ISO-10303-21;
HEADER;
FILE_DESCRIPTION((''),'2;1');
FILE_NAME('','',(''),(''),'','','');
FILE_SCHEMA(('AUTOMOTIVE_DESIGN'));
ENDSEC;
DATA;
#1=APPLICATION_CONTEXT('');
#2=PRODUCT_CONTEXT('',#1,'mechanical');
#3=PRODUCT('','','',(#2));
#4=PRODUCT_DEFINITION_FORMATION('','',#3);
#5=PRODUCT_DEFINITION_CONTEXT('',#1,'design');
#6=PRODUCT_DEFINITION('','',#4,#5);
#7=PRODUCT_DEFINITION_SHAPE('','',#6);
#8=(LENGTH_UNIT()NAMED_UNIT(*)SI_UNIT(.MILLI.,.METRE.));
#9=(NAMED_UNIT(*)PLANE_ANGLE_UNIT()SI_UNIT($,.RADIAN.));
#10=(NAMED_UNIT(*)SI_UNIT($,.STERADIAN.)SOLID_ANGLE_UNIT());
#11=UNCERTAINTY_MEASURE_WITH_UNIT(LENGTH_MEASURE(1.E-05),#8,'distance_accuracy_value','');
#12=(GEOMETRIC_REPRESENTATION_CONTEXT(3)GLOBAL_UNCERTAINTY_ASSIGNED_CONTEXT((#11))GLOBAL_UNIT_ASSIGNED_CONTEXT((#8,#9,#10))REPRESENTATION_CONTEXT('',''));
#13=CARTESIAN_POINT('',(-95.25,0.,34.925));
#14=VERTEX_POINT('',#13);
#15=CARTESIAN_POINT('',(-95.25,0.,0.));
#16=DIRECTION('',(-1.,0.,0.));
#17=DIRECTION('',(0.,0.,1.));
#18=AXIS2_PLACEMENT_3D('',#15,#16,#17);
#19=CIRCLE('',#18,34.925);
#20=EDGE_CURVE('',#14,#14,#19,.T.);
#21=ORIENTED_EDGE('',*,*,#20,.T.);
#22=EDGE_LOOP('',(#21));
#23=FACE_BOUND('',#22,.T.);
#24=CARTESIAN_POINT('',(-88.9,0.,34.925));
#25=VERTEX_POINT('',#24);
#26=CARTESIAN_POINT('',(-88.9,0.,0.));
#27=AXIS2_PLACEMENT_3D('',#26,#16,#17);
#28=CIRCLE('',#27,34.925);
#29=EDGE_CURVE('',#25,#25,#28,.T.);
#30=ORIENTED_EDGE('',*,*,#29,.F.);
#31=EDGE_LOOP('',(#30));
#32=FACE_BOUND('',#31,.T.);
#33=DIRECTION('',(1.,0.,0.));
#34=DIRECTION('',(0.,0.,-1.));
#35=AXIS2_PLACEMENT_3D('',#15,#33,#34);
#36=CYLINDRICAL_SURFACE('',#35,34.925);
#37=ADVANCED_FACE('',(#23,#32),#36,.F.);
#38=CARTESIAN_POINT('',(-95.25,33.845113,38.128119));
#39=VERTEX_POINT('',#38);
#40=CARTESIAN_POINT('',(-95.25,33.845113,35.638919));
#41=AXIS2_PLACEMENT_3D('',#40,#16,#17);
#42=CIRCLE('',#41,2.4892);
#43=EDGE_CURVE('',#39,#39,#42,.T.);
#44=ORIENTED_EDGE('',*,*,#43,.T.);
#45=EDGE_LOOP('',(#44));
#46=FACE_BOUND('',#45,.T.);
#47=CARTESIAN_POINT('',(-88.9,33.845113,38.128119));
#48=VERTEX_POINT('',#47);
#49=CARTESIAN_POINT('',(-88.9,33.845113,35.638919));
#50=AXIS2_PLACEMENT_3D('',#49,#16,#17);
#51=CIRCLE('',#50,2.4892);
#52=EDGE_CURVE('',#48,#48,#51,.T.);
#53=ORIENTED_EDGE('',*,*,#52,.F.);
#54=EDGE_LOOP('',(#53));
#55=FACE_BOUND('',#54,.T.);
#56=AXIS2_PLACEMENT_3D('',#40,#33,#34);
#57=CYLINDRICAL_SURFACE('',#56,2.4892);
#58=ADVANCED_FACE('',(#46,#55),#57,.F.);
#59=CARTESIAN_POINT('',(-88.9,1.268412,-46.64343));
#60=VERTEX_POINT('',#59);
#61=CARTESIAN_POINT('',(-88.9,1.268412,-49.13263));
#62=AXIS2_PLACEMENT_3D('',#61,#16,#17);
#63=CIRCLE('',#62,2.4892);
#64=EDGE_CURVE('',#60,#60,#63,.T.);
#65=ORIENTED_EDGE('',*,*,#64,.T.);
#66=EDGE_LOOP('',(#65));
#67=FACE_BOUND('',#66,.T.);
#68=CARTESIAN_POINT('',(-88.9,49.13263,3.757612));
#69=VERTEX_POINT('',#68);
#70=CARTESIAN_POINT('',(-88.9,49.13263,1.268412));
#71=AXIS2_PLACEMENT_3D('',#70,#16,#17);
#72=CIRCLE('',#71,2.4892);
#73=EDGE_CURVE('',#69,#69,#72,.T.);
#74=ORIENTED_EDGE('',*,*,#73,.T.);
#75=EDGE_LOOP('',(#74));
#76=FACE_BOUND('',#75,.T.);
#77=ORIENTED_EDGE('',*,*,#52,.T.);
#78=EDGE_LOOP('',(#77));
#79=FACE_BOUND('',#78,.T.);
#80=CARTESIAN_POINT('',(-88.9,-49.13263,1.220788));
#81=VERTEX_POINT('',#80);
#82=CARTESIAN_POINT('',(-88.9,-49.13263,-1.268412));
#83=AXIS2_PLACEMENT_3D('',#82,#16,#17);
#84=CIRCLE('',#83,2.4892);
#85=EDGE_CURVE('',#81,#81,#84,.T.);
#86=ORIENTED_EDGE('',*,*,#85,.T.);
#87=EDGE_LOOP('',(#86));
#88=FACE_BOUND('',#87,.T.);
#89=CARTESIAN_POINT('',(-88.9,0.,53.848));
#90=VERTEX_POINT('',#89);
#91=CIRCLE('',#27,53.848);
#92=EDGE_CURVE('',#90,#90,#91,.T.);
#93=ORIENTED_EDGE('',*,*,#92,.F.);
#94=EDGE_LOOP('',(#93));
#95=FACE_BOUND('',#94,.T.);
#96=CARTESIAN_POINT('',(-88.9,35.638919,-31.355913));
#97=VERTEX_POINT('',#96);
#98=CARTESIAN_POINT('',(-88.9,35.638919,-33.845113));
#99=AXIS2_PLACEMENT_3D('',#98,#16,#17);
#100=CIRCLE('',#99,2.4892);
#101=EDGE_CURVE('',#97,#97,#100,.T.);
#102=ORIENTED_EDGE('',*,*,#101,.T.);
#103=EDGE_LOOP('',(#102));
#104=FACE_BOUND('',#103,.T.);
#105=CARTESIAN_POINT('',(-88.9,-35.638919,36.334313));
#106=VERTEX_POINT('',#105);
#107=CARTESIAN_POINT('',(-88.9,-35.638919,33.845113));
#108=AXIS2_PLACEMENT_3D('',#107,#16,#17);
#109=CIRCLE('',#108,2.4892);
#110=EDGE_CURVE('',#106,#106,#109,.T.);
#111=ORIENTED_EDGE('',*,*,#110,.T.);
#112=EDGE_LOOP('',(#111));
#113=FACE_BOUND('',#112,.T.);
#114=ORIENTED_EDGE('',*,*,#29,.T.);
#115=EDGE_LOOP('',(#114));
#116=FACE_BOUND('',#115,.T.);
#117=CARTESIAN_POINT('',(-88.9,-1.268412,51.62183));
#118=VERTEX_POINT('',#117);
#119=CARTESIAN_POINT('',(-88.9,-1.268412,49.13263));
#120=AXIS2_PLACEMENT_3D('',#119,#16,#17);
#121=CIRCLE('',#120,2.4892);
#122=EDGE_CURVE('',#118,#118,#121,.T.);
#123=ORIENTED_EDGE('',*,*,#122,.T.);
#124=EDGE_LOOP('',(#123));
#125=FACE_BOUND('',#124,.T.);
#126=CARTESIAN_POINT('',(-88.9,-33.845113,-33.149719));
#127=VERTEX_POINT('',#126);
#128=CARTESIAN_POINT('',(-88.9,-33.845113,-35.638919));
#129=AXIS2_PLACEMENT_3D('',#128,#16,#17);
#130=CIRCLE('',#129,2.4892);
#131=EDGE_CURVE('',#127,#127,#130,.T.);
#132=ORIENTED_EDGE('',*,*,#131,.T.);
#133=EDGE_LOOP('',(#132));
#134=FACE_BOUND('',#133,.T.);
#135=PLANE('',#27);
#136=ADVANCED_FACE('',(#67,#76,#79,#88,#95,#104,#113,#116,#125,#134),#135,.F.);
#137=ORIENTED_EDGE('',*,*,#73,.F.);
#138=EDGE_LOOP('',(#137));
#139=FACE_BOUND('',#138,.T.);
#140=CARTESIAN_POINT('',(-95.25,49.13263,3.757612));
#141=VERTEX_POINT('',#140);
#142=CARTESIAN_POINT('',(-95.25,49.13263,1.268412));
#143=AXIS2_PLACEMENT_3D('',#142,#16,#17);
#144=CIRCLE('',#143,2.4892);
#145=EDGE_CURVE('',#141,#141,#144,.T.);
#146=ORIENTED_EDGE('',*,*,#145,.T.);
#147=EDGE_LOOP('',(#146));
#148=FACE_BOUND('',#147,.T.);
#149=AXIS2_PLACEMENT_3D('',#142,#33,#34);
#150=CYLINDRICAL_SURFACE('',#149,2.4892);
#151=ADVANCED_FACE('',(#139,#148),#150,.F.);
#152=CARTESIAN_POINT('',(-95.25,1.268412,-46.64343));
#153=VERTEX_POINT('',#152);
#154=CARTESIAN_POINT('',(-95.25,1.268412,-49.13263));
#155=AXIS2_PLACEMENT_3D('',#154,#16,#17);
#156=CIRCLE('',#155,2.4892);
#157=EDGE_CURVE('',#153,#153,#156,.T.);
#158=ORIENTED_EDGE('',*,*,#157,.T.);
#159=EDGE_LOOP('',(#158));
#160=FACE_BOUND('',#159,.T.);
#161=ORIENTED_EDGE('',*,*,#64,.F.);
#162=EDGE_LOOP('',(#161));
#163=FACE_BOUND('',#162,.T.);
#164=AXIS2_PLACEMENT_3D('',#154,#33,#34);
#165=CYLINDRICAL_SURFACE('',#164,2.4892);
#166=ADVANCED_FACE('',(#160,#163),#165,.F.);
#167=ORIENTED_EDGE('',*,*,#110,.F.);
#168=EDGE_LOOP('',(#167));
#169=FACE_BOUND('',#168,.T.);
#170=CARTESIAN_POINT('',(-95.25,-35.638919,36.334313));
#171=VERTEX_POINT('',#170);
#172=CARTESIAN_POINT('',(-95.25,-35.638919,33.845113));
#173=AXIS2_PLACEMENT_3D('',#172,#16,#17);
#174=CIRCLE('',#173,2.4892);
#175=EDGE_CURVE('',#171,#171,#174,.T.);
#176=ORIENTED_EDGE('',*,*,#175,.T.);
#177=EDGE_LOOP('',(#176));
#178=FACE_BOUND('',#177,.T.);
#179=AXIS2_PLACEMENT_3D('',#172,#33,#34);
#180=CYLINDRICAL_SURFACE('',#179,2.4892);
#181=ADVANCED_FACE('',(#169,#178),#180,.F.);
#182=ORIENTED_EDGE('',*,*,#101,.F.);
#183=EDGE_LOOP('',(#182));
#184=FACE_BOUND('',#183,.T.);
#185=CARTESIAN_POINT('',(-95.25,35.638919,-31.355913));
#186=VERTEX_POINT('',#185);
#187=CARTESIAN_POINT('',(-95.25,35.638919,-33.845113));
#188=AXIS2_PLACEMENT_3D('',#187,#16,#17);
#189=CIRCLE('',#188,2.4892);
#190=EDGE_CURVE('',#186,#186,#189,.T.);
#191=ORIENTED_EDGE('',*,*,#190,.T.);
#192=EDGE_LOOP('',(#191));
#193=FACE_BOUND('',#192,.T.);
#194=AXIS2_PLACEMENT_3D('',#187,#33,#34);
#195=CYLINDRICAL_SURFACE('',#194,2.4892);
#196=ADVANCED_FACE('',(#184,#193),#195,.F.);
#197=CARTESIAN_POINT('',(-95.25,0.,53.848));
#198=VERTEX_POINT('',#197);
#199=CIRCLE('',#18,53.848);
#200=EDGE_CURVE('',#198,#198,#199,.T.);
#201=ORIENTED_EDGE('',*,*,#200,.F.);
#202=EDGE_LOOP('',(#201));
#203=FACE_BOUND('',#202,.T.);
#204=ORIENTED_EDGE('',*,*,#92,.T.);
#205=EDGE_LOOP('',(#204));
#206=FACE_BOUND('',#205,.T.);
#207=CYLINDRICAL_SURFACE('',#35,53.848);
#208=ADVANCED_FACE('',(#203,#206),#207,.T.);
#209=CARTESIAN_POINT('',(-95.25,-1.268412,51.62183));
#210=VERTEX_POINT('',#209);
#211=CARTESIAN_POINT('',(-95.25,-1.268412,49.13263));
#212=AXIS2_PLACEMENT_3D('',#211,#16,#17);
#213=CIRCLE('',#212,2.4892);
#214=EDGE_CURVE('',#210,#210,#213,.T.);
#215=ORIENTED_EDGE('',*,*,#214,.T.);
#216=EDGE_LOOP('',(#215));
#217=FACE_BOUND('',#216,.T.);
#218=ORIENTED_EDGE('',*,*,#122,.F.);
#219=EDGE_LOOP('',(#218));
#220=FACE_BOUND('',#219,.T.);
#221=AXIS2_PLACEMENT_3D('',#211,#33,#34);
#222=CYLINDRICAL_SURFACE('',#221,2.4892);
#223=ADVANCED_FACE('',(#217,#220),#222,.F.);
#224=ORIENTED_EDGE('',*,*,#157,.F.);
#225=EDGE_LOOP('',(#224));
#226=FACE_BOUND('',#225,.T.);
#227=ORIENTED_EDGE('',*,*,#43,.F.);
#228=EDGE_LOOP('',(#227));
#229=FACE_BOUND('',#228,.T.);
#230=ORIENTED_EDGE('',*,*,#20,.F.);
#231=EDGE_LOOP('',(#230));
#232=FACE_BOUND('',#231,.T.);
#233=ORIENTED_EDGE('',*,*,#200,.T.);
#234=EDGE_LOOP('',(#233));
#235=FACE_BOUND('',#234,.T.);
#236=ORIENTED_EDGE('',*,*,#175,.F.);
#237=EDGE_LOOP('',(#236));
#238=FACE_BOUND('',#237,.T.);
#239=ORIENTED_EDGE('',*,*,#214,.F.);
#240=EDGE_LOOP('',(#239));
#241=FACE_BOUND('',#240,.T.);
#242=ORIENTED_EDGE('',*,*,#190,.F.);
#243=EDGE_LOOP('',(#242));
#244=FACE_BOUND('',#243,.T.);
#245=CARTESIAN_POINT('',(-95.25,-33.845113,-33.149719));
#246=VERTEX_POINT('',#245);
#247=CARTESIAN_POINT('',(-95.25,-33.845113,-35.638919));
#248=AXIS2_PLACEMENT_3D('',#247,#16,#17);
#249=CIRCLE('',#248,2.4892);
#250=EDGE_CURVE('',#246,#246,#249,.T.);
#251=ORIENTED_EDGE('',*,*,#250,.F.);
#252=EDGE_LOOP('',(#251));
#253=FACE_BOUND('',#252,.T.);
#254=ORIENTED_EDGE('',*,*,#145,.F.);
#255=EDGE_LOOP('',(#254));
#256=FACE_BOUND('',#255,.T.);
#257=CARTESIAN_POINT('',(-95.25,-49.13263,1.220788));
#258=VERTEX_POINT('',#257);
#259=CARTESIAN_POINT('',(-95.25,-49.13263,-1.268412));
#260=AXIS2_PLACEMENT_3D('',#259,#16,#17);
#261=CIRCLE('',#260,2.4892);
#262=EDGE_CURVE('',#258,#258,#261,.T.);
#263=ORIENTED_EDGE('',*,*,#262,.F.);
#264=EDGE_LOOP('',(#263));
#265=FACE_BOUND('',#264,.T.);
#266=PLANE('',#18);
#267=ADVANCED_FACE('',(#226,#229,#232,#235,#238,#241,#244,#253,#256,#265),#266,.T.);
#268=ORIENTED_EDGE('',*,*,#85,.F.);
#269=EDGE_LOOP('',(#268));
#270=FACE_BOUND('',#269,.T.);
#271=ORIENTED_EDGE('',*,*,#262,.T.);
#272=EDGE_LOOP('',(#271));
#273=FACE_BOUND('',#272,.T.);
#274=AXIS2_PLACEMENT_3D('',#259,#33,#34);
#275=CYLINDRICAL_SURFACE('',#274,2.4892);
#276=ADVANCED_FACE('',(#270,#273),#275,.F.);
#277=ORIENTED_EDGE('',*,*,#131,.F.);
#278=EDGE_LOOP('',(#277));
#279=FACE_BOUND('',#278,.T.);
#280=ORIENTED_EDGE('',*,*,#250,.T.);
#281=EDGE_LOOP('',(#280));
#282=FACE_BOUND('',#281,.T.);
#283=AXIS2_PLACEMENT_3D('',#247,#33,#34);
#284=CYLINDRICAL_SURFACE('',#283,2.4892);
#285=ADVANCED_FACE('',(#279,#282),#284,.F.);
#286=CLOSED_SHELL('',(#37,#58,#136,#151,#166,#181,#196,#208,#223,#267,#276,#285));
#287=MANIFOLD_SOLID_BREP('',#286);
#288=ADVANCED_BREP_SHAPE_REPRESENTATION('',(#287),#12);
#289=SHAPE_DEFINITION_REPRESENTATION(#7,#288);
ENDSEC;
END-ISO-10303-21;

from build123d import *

# Parameters (mm, degrees)
SKETCH1_R           = 53.848
SKETCH1_R_2         = 34.925
SKETCH1_R_3         = 2.4892
BOSS_EXTRUDE1_DEPTH = 6.35


with BuildPart() as part:
    # Sketch1 → Boss-Extrude1 (new body)
    with BuildSketch(Plane.ZY.offset(88.9)):
        Circle(SKETCH1_R)
        Circle(SKETCH1_R_2, mode=Mode.SUBTRACT)
        with Locations((-33.845113149, 35.638918571)):
            Circle(SKETCH1_R_3, mode=Mode.SUBTRACT)
        with Locations((1.268411978, 49.132630014)):
            Circle(SKETCH1_R_3, mode=Mode.SUBTRACT)
        with Locations((35.638918571, 33.845113149)):
            Circle(SKETCH1_R_3, mode=Mode.SUBTRACT)
        with Locations((49.132630014, -1.268411978)):
            Circle(SKETCH1_R_3, mode=Mode.SUBTRACT)
        with Locations((33.845113149, -35.638918571)):
            Circle(SKETCH1_R_3, mode=Mode.SUBTRACT)
        with Locations((-1.268411978, -49.132630014)):
            Circle(SKETCH1_R_3, mode=Mode.SUBTRACT)
        with Locations((-35.638918571, -33.845113149)):
            Circle(SKETCH1_R_3, mode=Mode.SUBTRACT)
        with Locations((-49.132630014, 1.268411978)):
            Circle(SKETCH1_R_3, mode=Mode.SUBTRACT)
    extrude(amount=BOSS_EXTRUDE1_DEPTH)


solid = part.part
